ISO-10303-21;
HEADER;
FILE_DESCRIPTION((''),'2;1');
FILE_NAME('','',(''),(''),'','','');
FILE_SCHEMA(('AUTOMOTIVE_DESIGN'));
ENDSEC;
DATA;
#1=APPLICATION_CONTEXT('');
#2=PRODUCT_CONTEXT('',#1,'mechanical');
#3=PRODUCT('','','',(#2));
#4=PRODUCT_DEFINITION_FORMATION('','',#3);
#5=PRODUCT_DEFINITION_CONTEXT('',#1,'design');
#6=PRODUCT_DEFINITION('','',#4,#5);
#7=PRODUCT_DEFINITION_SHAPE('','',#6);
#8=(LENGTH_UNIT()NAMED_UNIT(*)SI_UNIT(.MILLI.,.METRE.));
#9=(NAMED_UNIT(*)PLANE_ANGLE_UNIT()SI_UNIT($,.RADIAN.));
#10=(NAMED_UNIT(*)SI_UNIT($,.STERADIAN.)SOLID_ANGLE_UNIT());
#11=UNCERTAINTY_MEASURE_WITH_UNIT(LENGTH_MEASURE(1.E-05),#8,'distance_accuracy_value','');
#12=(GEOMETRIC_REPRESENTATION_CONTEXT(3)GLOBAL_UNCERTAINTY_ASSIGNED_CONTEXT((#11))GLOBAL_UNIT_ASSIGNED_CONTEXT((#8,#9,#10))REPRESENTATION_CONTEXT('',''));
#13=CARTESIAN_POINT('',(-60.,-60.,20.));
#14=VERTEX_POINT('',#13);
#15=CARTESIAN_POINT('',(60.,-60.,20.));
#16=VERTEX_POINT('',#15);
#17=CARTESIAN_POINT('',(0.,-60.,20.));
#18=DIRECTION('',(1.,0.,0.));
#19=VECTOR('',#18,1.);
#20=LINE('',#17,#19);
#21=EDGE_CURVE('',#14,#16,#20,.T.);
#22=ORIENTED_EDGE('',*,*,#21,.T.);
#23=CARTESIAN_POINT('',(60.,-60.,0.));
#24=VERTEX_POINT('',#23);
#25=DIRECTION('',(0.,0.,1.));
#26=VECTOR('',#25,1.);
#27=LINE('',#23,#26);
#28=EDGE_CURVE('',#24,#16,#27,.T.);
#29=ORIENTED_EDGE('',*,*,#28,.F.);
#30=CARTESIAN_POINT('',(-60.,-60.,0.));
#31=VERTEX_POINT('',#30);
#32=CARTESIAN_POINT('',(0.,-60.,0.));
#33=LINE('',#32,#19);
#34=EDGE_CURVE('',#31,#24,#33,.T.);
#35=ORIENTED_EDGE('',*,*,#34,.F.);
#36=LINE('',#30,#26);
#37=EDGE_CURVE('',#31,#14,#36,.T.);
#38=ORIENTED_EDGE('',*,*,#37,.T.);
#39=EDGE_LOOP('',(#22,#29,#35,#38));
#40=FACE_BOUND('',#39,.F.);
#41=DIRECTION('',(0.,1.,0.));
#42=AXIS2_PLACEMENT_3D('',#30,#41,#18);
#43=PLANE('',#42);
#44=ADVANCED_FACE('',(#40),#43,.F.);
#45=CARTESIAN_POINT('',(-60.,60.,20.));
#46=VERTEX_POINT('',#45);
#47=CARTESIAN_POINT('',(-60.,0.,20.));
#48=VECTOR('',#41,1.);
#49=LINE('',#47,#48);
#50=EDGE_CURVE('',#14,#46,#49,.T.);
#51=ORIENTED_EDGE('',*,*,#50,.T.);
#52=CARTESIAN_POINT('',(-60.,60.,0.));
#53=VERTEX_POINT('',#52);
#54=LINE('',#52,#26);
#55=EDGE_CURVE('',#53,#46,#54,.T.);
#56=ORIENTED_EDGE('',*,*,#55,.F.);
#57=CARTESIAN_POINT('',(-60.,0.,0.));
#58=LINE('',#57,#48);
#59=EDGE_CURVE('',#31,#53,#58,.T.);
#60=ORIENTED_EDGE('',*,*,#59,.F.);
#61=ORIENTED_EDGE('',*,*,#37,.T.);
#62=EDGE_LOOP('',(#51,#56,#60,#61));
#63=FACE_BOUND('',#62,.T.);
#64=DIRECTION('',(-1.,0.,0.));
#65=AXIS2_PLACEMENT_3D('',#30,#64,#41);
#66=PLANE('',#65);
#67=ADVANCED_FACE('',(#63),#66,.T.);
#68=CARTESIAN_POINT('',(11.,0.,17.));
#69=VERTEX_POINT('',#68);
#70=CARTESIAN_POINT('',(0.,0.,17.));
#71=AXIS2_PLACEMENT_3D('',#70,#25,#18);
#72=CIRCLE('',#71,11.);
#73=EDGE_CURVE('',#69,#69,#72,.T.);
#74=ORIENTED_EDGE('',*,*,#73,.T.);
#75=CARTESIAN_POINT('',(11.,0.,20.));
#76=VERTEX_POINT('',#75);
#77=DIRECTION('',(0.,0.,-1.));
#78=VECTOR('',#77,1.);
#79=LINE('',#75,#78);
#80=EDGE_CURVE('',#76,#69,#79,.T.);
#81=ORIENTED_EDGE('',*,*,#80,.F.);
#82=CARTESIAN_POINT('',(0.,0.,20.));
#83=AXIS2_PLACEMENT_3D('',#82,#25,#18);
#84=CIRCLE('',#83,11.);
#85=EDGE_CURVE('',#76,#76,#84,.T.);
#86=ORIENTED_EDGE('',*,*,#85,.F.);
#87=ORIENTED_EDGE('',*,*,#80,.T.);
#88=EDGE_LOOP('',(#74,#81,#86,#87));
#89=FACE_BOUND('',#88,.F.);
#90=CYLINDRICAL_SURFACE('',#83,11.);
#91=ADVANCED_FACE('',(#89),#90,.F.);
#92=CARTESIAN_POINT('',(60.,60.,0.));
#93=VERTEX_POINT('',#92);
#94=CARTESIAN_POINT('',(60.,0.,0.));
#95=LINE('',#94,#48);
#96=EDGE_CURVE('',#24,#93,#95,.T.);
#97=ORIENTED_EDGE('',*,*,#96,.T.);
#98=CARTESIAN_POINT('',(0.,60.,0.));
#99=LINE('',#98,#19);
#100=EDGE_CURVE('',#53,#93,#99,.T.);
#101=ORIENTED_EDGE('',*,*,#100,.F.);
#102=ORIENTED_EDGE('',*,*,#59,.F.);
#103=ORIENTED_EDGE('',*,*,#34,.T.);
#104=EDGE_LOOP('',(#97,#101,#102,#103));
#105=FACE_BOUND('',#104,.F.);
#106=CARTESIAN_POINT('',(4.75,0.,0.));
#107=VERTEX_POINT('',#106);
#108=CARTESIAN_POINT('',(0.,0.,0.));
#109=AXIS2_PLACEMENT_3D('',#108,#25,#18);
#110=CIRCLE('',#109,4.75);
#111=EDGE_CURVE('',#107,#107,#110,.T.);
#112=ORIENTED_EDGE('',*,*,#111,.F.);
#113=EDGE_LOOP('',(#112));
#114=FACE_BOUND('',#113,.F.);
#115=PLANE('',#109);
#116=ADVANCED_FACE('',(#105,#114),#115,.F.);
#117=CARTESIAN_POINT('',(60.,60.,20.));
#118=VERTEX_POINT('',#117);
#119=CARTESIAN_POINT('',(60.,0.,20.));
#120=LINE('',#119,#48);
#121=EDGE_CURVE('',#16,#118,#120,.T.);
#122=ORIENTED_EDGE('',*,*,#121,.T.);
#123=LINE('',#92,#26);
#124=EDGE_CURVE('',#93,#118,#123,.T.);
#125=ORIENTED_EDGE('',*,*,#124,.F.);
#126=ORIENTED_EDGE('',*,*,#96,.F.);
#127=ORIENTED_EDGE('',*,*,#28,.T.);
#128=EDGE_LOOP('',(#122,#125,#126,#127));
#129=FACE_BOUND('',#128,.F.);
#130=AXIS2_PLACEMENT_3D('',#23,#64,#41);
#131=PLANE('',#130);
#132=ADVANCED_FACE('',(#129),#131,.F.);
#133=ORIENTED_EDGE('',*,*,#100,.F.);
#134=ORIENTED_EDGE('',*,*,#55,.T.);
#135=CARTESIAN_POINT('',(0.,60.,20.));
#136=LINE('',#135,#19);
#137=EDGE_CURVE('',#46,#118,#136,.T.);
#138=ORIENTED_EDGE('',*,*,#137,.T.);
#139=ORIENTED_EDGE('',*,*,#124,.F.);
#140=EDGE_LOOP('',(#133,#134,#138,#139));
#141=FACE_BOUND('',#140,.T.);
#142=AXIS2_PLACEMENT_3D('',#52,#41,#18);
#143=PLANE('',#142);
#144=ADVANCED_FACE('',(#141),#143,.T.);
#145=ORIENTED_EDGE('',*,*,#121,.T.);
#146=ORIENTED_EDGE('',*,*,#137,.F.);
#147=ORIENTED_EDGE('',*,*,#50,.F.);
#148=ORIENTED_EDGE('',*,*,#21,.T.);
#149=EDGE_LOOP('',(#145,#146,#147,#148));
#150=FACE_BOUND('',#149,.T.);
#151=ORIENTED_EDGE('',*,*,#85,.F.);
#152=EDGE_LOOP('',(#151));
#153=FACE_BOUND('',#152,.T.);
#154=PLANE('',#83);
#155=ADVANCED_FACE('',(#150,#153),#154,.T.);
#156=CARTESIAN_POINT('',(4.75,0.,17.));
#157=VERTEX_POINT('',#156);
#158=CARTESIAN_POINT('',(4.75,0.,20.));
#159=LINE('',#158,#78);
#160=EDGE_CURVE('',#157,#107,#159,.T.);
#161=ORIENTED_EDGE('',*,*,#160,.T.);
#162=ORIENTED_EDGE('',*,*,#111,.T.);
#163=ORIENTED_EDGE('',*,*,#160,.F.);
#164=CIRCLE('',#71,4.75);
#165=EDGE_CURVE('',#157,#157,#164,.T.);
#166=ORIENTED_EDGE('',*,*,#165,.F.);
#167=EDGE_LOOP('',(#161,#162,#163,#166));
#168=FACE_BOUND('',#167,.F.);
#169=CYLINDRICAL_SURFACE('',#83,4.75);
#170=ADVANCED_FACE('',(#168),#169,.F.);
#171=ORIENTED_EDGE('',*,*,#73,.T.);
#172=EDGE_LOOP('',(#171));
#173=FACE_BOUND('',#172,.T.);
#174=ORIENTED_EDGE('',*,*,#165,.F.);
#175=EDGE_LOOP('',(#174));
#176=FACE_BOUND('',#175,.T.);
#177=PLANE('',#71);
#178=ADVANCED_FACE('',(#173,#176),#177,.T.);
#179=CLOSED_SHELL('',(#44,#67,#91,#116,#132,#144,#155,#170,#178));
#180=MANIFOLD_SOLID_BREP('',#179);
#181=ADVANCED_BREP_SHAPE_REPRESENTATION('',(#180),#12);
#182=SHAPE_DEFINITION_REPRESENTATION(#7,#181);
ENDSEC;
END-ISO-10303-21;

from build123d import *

# Parameters (mm, degrees)
SKETCH_W        = 120
SKETCH_H        = 120
PAD_DEPTH       = 20
SKETCH001_R     = 4.75
POCKET_DEPTH    = 20.001
SKETCH002_R     = 11
POCKET001_DEPTH = 3


with BuildPart() as part:
    # Sketch → Pad (new body)
    with BuildSketch(Plane.XY):
        Rectangle(SKETCH_W, SKETCH_H)
    extrude(amount=PAD_DEPTH)

    # Sketch001 (on Face6 of Pad) → Pocket (cut, through all)
    with BuildSketch(Plane.XY.offset(20)):
        Circle(SKETCH001_R)
    extrude(amount=-POCKET_DEPTH, mode=Mode.SUBTRACT)

    # Sketch002 (on Face5 of Pocket) → Pocket001 (cut)
    with BuildSketch(Plane.XY.offset(20)):
        Circle(SKETCH002_R)
    extrude(amount=-POCKET001_DEPTH, mode=Mode.SUBTRACT)


solid = part.part
